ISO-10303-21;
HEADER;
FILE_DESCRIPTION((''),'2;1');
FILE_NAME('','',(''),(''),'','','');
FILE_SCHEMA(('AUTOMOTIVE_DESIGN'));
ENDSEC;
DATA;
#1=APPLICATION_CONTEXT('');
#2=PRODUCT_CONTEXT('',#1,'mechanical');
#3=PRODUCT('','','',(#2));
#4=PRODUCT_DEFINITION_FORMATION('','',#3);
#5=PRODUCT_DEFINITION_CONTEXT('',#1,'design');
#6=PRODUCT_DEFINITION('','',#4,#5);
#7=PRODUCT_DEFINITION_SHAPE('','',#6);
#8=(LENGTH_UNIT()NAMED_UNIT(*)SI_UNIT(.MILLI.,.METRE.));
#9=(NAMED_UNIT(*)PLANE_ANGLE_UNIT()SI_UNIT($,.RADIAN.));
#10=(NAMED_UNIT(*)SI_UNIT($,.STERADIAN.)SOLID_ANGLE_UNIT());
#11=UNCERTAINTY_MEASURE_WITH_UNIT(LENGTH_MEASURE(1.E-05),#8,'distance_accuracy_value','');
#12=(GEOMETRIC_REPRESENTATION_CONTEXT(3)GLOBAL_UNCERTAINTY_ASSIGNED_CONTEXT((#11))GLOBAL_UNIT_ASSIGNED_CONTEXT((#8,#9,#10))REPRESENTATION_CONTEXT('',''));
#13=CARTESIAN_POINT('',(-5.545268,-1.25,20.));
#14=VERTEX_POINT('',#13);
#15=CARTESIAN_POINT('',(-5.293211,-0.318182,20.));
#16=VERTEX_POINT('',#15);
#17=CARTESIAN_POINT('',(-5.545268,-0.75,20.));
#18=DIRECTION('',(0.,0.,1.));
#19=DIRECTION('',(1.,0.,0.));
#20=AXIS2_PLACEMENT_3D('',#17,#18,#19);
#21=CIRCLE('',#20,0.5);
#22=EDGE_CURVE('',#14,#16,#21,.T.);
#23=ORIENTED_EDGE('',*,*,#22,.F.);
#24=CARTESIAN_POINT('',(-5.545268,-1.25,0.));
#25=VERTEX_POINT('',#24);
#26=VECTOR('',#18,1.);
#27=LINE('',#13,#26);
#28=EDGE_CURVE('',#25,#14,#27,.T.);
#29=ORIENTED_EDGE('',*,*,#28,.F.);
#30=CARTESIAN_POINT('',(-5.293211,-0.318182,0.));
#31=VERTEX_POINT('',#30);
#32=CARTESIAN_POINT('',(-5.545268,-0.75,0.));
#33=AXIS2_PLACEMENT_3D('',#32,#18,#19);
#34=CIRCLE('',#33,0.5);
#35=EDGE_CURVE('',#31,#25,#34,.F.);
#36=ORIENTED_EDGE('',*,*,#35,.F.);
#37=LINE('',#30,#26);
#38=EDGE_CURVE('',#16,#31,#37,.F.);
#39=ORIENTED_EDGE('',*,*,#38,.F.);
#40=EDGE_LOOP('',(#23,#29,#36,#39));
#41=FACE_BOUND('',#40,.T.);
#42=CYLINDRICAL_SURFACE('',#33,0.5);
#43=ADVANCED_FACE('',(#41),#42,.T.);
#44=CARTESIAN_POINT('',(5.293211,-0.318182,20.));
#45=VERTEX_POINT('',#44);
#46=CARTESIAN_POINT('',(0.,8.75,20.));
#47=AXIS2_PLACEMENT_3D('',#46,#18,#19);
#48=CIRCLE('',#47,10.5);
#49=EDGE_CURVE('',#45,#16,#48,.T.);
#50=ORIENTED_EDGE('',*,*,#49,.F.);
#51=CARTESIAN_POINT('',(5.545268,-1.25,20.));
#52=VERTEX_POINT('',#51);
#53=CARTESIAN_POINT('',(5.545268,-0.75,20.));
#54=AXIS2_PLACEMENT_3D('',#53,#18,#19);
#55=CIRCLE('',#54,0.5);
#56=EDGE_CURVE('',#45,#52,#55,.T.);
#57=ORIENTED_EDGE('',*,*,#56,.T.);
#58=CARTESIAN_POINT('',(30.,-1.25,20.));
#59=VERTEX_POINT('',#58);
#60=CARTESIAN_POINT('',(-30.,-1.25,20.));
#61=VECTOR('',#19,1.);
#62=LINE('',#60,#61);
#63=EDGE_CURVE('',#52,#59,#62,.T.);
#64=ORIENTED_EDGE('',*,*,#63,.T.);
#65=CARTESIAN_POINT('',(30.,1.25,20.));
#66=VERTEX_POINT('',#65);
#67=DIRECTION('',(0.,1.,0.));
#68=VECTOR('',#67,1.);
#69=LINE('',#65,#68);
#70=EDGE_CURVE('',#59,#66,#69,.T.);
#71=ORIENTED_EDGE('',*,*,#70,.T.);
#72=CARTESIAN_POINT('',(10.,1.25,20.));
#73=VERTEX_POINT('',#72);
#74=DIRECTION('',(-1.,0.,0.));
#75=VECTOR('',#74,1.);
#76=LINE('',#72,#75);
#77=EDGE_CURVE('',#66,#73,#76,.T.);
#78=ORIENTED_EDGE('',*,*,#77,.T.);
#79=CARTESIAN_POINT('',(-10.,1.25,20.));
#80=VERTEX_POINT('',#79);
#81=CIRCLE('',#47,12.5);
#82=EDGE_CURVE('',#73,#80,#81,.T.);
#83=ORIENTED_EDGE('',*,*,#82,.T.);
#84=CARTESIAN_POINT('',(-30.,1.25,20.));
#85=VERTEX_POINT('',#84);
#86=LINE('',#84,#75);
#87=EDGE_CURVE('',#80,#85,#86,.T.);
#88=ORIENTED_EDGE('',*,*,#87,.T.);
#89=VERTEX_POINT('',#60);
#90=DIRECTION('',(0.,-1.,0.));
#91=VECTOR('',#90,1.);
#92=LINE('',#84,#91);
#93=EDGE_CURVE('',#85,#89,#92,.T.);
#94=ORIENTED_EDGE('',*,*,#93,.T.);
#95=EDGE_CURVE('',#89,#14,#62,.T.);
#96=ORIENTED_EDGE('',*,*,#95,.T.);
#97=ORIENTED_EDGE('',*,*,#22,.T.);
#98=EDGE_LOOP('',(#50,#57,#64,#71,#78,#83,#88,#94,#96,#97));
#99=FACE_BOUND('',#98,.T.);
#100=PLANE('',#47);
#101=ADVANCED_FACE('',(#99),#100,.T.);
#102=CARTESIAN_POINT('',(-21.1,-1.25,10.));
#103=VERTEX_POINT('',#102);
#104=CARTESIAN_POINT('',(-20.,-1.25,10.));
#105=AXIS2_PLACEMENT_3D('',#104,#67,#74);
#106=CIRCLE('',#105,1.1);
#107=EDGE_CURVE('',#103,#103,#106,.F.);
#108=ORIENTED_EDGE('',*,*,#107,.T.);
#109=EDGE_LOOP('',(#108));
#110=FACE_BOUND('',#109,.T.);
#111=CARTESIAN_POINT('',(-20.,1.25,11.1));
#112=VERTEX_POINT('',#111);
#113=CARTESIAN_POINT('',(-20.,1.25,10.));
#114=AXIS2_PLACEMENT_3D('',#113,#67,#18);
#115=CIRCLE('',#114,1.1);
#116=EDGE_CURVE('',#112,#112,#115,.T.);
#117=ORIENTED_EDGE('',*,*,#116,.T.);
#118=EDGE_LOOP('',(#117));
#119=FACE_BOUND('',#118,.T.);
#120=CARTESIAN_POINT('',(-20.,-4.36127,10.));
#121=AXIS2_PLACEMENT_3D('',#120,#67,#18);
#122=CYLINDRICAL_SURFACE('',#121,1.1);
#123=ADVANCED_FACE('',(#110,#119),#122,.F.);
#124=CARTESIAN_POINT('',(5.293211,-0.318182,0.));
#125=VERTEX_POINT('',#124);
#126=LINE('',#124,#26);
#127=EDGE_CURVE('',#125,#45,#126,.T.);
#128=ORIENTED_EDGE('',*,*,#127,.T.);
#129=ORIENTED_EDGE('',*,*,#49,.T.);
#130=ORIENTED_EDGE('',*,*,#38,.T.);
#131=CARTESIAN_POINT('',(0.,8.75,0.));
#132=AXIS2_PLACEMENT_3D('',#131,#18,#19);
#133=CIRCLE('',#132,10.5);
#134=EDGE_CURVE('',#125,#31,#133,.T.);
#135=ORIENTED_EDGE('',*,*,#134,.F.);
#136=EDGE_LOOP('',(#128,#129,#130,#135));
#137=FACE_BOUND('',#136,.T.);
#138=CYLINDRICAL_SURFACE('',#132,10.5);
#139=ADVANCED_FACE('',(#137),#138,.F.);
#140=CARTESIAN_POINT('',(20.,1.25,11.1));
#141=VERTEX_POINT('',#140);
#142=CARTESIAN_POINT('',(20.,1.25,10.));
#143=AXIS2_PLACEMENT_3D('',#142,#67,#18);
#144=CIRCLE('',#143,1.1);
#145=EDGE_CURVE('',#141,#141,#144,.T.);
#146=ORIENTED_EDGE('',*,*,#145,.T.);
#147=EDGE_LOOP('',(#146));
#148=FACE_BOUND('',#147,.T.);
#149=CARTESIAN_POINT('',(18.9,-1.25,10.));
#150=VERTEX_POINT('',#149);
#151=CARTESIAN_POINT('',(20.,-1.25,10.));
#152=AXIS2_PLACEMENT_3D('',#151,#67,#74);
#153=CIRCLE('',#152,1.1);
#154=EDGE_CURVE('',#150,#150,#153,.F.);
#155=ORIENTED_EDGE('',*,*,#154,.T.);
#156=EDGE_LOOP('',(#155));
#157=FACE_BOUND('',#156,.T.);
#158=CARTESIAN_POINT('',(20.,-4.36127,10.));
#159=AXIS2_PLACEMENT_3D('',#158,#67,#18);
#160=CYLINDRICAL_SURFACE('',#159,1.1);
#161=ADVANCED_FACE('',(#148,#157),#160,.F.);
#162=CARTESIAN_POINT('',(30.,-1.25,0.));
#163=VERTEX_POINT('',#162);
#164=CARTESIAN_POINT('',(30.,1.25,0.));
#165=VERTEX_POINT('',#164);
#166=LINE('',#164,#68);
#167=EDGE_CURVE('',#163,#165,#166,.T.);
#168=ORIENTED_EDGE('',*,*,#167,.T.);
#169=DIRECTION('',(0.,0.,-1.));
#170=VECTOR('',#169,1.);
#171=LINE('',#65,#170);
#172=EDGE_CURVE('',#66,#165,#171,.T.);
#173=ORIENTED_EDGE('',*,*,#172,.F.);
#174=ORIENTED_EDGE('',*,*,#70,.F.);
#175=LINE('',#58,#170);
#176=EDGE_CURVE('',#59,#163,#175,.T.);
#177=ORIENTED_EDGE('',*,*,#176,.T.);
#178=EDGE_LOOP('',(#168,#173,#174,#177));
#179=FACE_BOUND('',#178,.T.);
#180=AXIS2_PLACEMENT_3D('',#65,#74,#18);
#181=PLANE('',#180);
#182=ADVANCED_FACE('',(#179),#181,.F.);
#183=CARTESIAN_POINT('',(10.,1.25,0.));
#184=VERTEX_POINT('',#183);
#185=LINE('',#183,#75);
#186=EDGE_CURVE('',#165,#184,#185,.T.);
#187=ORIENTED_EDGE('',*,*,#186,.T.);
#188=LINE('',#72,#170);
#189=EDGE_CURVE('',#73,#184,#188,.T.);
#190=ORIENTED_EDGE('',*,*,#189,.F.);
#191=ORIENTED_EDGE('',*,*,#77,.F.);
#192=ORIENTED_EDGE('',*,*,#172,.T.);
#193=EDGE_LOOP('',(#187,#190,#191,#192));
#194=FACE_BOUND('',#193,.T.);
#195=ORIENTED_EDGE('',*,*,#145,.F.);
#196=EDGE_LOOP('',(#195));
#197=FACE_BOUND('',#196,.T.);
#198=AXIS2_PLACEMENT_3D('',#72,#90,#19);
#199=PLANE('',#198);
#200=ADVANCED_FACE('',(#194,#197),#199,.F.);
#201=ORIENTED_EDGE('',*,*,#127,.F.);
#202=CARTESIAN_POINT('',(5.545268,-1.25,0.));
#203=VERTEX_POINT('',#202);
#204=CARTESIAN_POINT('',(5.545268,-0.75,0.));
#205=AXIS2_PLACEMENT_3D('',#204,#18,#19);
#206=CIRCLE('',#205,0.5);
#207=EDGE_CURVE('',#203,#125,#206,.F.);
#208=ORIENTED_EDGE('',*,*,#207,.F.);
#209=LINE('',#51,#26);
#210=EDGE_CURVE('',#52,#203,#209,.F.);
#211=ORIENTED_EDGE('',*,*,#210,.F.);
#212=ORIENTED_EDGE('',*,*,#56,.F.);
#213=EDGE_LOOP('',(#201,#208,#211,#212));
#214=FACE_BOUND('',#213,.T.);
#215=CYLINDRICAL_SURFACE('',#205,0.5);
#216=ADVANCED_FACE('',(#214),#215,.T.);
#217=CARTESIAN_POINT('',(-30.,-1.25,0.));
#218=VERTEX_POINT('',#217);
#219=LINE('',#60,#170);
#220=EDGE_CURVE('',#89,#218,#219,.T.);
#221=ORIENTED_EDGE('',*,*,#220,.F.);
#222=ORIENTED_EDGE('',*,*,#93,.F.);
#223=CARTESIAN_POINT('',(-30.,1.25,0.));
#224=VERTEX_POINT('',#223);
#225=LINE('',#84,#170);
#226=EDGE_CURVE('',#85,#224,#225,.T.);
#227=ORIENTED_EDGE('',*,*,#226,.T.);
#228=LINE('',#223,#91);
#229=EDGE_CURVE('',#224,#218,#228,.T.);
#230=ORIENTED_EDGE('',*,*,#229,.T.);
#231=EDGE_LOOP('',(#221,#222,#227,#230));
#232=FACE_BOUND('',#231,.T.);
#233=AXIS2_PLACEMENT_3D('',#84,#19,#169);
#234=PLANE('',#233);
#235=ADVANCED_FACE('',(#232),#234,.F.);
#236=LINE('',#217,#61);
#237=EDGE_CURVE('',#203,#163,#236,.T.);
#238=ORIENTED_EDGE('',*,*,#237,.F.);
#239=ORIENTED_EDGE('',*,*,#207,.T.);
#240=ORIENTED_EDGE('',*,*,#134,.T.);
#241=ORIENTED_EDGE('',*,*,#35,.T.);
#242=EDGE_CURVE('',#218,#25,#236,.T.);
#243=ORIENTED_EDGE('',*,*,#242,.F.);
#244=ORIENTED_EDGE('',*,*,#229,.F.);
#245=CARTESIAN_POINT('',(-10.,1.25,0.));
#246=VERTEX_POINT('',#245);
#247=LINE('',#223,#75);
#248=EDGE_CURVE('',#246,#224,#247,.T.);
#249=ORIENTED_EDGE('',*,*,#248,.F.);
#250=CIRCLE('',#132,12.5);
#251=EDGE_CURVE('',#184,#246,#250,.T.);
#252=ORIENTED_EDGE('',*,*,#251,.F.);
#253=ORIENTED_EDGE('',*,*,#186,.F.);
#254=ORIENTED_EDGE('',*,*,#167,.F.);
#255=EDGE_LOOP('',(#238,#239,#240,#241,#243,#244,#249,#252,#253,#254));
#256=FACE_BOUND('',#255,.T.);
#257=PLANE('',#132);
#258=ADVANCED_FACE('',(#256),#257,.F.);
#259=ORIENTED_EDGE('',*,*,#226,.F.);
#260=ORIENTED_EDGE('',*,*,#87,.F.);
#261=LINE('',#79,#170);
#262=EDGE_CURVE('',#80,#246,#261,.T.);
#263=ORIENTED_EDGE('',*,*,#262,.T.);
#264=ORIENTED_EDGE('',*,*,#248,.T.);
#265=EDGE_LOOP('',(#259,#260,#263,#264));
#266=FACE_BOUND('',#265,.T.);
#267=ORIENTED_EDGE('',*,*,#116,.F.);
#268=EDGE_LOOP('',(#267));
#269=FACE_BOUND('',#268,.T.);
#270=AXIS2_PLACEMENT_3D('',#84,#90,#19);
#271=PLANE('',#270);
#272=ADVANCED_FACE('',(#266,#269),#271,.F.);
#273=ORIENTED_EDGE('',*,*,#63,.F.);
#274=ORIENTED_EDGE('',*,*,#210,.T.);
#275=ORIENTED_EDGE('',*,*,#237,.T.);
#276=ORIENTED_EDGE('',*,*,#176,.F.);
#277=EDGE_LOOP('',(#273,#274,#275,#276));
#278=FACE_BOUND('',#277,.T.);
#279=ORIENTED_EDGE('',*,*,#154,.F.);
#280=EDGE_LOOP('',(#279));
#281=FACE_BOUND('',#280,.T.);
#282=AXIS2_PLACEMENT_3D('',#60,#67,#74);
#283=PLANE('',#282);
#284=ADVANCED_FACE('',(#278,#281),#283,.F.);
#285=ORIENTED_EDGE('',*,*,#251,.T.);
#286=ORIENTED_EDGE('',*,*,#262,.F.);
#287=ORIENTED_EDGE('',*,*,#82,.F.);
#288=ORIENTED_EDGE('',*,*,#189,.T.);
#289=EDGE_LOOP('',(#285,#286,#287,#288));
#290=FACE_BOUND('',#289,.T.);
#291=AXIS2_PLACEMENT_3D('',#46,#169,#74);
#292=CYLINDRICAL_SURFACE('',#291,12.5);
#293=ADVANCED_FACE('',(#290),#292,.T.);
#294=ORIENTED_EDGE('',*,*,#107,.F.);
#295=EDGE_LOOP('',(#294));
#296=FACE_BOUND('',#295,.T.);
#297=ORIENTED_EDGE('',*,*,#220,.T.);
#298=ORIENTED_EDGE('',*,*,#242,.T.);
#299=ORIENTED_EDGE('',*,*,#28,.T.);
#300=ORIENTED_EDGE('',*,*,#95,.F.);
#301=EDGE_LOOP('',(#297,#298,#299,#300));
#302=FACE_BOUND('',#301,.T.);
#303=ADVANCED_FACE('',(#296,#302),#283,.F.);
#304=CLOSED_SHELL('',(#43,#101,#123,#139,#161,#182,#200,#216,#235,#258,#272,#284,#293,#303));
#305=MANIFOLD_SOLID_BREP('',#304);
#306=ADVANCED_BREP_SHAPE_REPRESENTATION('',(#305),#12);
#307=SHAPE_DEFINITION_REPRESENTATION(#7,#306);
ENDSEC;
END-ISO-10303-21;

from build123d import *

# Parameters (mm, degrees)
BOSS_EXTRUDE1_DEPTH = 20
SKETCH3_R           = 10.5
CUT_EXTRUDE1_DEPTH  = 42.851672607
SKETCH4_R           = 1.1
CUT_EXTRUDE2_DEPTH  = 2.5
FILLET1_R           = 0.5


with BuildPart() as part:
    # Sketch1 → Boss-Extrude1 (new body)
    with BuildSketch(Plane.XY):
        with BuildLine():
            Line((10, 1.25), (30, 1.25))
            Line((30, 1.25), (30, -1.25))
            Line((30, -1.25), (-30, -1.25))
            Line((-30, -1.25), (-30, 1.25))
            Line((-30, 1.25), (-10, 1.25))
            ThreePointArc((-10, 1.25), (0, 21.25), (10, 1.25))
        make_face()
    extrude(amount=BOSS_EXTRUDE1_DEPTH)

    # Sketch3 → Cut-Extrude1 (cut, through all)
    with BuildSketch(Plane.XY.offset(20)):
        with Locations((0, 8.75)):
            Circle(SKETCH3_R)
    extrude(amount=-CUT_EXTRUDE1_DEPTH, mode=Mode.SUBTRACT)

    # Sketch4 → Cut-Extrude2 (cut)
    with BuildSketch(Plane(origin=(0, 1.25, 0), x_dir=(1, 0, 0), z_dir=(0, 1, 0))):
        with Locations(Location((-20, -10, 0), (0, 0, 270))):
            Circle(SKETCH4_R)
        with Locations(Location((20, -10, 0), (0, 0, 270))):
            Circle(SKETCH4_R)
    extrude(amount=-CUT_EXTRUDE2_DEPTH, mode=Mode.SUBTRACT)

    # Fillet1
    fillet1_edges = [part.edges().sort_by_distance(p)[0] for p in [
        (-3.201562119, -1.25, 10),
        (3.201562119, -1.25, 10),
    ]]
    fillet(fillet1_edges, radius=FILLET1_R)


solid = part.part
